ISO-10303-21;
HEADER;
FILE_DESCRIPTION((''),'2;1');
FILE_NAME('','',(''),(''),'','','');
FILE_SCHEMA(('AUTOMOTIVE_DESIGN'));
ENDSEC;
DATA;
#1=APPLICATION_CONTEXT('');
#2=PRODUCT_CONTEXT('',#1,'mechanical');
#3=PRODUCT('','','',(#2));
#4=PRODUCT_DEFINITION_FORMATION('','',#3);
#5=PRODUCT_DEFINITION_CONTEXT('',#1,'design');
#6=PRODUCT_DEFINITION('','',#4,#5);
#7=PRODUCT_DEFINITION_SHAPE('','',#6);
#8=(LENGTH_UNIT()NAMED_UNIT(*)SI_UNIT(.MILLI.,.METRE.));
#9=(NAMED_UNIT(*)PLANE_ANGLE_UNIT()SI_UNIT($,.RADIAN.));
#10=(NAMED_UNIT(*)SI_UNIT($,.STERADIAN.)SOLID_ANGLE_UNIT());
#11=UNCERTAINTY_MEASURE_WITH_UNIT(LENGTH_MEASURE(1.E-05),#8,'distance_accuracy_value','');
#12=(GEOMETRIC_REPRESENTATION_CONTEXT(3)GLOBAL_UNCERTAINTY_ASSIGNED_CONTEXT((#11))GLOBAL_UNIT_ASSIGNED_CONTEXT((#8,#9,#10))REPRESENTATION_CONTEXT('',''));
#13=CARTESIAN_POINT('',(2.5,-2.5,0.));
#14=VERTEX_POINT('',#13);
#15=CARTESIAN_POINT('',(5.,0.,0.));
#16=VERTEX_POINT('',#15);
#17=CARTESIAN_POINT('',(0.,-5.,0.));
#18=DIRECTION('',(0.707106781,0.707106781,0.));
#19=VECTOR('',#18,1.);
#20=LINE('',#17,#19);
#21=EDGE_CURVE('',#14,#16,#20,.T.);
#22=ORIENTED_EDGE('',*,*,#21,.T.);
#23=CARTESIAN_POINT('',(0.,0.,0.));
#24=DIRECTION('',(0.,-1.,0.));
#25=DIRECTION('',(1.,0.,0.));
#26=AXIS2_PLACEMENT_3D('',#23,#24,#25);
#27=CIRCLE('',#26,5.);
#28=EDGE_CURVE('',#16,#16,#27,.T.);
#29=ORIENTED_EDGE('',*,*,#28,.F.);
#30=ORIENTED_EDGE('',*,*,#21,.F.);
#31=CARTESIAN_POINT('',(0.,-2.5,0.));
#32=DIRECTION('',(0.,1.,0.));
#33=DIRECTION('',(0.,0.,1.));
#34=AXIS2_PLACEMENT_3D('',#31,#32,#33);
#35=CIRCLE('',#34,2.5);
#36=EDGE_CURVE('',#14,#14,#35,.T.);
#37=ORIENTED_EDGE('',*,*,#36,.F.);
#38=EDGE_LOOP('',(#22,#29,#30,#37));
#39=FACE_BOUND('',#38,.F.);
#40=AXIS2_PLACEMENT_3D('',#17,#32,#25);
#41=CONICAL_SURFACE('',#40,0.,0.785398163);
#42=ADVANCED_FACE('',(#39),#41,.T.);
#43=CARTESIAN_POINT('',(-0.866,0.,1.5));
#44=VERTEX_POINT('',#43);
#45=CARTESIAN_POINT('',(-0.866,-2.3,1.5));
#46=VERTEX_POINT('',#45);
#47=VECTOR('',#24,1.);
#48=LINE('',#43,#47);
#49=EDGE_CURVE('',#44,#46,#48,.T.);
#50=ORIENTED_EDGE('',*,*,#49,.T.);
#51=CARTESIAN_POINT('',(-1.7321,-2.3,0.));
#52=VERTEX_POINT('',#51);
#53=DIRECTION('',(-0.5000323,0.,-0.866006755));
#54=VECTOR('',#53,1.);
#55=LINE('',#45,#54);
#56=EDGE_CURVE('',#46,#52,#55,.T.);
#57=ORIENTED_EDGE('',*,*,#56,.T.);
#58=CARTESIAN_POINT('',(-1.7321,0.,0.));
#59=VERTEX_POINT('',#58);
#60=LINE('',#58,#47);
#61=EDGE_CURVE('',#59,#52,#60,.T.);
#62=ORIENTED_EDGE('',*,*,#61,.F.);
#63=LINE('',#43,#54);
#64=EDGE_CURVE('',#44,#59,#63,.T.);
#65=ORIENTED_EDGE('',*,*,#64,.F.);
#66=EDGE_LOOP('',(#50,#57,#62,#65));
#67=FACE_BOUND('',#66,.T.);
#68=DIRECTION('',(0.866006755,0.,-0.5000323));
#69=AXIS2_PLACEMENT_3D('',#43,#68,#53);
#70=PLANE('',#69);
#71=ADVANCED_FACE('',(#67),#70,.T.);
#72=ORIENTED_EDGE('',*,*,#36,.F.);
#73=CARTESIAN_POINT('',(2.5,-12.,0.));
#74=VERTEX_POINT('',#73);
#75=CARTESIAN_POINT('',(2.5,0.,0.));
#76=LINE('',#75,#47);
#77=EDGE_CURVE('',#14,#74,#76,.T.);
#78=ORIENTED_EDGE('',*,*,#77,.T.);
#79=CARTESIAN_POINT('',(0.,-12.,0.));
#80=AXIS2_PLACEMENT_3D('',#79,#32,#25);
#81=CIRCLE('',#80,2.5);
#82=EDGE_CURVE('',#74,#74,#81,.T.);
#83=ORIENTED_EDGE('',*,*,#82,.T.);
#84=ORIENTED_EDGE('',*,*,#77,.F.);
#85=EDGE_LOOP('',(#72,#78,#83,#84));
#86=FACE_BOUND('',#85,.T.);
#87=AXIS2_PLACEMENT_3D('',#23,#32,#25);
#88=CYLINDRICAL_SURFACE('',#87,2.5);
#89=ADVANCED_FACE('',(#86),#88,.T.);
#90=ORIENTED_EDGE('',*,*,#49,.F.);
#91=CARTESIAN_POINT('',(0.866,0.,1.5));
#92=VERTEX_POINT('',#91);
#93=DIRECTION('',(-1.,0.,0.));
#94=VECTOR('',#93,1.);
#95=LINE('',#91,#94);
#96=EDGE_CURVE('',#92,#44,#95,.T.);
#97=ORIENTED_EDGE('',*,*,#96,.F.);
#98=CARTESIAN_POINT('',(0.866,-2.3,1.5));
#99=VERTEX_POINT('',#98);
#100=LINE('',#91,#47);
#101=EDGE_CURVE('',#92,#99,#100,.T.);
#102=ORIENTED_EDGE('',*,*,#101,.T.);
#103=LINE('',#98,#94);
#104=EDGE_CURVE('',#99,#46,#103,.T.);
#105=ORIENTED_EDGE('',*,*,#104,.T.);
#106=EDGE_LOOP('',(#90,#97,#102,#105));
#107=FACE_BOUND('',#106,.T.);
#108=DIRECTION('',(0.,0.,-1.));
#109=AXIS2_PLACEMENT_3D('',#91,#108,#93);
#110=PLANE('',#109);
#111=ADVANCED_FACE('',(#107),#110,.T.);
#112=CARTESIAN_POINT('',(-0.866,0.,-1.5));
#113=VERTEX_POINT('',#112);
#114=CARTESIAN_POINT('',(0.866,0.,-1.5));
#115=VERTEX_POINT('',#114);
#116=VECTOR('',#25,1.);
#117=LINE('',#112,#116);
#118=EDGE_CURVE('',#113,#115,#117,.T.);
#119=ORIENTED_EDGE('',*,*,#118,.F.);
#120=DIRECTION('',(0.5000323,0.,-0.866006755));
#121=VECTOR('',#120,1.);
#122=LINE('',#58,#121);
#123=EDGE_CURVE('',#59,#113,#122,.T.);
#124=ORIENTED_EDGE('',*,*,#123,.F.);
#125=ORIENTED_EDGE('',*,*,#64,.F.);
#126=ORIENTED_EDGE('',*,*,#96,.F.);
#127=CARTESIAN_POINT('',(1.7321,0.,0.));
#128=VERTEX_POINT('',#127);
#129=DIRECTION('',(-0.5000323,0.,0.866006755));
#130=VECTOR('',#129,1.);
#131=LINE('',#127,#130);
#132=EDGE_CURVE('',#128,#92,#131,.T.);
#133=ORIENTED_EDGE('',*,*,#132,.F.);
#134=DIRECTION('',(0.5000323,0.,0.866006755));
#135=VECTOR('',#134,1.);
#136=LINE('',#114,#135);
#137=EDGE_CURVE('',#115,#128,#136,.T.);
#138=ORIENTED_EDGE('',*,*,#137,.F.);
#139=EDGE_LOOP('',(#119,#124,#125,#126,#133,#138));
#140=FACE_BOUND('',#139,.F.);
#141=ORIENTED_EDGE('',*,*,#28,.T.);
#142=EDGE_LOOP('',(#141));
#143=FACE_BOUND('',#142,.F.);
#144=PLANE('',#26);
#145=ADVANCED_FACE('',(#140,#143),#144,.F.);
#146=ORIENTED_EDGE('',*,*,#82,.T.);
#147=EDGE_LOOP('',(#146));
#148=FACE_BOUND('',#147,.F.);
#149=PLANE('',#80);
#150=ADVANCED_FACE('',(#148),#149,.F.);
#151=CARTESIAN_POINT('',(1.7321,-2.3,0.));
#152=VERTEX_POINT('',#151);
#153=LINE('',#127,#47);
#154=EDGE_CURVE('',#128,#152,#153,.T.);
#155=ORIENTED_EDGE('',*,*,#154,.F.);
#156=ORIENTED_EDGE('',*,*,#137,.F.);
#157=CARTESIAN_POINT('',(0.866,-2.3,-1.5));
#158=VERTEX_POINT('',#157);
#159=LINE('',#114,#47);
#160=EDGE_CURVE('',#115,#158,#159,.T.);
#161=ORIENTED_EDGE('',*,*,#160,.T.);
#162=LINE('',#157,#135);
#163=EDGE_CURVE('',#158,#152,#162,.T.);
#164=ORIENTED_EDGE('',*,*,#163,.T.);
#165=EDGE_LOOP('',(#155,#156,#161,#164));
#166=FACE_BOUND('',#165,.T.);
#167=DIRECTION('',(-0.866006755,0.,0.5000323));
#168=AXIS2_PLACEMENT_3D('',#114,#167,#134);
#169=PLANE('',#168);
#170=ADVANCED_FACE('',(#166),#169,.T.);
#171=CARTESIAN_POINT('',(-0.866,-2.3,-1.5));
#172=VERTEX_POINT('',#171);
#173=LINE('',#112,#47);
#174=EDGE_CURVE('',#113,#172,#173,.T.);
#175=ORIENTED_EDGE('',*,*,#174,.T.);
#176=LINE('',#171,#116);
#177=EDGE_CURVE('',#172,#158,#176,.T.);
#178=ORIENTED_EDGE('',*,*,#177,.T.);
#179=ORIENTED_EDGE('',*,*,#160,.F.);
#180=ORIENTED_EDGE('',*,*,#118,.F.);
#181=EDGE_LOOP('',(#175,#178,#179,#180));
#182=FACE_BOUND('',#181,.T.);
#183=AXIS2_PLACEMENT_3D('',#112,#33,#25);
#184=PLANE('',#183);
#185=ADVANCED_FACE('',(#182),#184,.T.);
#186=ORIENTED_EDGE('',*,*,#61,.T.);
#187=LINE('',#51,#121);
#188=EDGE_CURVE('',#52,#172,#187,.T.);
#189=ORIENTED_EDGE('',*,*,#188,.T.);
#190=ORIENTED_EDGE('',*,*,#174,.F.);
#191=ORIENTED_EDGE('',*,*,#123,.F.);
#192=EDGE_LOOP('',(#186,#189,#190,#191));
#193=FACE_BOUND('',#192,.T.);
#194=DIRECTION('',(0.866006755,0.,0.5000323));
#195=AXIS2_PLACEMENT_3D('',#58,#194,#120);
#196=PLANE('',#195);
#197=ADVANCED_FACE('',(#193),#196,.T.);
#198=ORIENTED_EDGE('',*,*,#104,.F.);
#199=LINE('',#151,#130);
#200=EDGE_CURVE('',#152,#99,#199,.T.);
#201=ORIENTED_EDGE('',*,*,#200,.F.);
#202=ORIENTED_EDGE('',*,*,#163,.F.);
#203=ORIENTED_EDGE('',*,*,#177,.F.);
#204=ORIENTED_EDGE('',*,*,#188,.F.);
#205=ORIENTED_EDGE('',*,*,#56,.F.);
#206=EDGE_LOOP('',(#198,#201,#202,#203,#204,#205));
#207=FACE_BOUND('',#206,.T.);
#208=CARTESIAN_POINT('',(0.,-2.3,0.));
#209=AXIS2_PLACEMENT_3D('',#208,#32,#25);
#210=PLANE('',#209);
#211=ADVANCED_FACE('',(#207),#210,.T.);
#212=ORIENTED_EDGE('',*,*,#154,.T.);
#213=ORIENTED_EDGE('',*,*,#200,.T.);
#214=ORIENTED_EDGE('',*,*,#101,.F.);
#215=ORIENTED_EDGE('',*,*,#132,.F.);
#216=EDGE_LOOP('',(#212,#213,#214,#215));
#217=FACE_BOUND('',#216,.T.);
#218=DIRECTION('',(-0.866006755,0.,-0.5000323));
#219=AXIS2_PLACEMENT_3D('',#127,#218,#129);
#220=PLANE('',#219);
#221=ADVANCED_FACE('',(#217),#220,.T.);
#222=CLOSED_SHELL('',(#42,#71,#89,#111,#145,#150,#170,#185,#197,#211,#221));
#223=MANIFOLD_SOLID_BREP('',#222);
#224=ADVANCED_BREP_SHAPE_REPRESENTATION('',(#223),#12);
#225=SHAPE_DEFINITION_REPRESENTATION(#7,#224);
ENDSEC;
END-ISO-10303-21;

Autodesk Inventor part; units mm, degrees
ref_plane "YZ Plane" through (0, 0, 0) normal (1, 0, 0) x (0, 1, 0)
ref_plane "XZ Plane" through (0, 0, 0) normal (0, 1, 0) x (-1, 0, 0)
ref_plane "XY Plane" through (0, 0, 0) normal (0, 0, 1) x (1, 0, 0)
sketch "Head Revolution Profile" plane through (0, 0, 0) normal (0, 0, 1) x (1, 0, 0)
  line L0 (0, -5) -> (5, 0)
  line L1 (5, 0) -> (0, 0)
  line L2 (0, 0) -> (0, -5)
  dimension "d0" = 0
  dimension "d1" = 45
  dimension "d2" = 5
  dimension "d3" = 0
revolve "Head" add sketch "Head Revolution Profile" angle 360 about axis through (0, 0, 0) along (0, -1, 0)
sketch "Body Cross Section" plane through (0, 0, 0) normal (0, 1, 0) x (1, 0, 0)
  circle A0 centre (0, 0) radius 2.5
  point P0 (0, 0)
  dimension "d5" = 5
extrude "Body" add sketch "Body Cross Section" against normal blind 12
thread "Thread" size "M5x0.8" class "6g" standard "ANSI Metric M Profile" full length
sketch "Key Socket Cutout Outline" plane through (0, 0, 0) normal (0, 1, 0) x (1, 0, 0)
  line L0 (0.866, 1.5) -> (1.7321, 0)
  line L1 (1.7321, 0) -> (0.866, -1.5)
  line L2 (0.866, -1.5) -> (-0.866, -1.5)
  line L3 (-0.866, -1.5) -> (-1.7321, 0)
  line L4 (-1.7321, 0) -> (-0.866, 1.5)
  line L5 (-0.866, 1.5) -> (0.866, 1.5)
  point P0 (0, 0)
  point P1 (0, 0)
  dimension "d10" = 3
extrude "Key Socket Cutout" cut sketch "Key Socket Cutout Outline" against normal blind 2.3
properties part number "SSK-M5-12-A4" material "Stainless Steel AISI 317"
